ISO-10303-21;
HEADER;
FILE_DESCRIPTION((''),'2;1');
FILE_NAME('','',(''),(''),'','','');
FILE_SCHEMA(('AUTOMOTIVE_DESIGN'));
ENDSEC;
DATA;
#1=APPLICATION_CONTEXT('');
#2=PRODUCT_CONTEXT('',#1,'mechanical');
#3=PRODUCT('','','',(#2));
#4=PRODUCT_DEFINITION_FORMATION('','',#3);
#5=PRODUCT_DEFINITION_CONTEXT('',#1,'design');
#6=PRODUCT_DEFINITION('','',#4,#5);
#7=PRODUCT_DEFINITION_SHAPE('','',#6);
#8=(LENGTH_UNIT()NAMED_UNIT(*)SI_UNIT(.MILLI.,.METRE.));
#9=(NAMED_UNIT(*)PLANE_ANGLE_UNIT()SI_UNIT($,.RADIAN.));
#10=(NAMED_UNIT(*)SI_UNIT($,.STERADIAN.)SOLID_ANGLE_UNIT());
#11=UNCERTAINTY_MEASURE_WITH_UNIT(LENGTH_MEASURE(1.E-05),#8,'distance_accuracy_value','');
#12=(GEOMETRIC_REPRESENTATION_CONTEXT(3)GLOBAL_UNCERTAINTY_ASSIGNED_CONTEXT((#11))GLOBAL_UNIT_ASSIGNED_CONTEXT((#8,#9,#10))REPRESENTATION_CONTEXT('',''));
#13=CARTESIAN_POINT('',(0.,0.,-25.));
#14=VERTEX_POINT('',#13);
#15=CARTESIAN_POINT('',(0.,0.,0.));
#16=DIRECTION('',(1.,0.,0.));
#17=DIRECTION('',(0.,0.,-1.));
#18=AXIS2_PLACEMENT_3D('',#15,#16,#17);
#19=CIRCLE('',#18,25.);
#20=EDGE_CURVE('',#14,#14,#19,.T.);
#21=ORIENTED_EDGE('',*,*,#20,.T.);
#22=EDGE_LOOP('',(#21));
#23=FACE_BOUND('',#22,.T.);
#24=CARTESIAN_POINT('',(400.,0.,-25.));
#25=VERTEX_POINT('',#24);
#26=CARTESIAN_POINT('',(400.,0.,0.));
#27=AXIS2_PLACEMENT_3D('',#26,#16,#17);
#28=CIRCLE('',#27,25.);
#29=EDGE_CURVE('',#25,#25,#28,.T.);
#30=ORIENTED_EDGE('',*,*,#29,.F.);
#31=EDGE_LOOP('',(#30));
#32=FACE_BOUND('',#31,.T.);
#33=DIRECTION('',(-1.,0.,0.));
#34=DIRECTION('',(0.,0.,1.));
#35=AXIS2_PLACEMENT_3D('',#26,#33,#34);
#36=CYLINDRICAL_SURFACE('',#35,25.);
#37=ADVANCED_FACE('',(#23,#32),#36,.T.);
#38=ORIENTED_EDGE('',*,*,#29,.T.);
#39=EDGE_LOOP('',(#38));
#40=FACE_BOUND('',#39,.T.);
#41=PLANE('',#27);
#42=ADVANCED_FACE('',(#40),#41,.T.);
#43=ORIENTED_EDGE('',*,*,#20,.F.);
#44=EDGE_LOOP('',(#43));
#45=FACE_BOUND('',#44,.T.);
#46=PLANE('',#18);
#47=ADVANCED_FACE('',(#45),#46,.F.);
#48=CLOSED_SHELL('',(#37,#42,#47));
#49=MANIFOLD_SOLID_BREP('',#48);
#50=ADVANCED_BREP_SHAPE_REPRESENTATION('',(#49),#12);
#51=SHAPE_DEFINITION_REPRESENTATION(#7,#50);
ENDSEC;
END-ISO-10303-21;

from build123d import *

# Parameters (mm, degrees)
SKETCH1_R           = 25
BOSS_EXTRUDE1_DEPTH = 400


with BuildPart() as part:
    # Sketch1 → Boss-Extrude1 (new body)
    with BuildSketch(Plane(origin=(0, 0, 0), x_dir=(0, 0, -1), z_dir=(1, 0, 0))):
        Circle(SKETCH1_R)
    extrude(amount=BOSS_EXTRUDE1_DEPTH)


solid = part.part
